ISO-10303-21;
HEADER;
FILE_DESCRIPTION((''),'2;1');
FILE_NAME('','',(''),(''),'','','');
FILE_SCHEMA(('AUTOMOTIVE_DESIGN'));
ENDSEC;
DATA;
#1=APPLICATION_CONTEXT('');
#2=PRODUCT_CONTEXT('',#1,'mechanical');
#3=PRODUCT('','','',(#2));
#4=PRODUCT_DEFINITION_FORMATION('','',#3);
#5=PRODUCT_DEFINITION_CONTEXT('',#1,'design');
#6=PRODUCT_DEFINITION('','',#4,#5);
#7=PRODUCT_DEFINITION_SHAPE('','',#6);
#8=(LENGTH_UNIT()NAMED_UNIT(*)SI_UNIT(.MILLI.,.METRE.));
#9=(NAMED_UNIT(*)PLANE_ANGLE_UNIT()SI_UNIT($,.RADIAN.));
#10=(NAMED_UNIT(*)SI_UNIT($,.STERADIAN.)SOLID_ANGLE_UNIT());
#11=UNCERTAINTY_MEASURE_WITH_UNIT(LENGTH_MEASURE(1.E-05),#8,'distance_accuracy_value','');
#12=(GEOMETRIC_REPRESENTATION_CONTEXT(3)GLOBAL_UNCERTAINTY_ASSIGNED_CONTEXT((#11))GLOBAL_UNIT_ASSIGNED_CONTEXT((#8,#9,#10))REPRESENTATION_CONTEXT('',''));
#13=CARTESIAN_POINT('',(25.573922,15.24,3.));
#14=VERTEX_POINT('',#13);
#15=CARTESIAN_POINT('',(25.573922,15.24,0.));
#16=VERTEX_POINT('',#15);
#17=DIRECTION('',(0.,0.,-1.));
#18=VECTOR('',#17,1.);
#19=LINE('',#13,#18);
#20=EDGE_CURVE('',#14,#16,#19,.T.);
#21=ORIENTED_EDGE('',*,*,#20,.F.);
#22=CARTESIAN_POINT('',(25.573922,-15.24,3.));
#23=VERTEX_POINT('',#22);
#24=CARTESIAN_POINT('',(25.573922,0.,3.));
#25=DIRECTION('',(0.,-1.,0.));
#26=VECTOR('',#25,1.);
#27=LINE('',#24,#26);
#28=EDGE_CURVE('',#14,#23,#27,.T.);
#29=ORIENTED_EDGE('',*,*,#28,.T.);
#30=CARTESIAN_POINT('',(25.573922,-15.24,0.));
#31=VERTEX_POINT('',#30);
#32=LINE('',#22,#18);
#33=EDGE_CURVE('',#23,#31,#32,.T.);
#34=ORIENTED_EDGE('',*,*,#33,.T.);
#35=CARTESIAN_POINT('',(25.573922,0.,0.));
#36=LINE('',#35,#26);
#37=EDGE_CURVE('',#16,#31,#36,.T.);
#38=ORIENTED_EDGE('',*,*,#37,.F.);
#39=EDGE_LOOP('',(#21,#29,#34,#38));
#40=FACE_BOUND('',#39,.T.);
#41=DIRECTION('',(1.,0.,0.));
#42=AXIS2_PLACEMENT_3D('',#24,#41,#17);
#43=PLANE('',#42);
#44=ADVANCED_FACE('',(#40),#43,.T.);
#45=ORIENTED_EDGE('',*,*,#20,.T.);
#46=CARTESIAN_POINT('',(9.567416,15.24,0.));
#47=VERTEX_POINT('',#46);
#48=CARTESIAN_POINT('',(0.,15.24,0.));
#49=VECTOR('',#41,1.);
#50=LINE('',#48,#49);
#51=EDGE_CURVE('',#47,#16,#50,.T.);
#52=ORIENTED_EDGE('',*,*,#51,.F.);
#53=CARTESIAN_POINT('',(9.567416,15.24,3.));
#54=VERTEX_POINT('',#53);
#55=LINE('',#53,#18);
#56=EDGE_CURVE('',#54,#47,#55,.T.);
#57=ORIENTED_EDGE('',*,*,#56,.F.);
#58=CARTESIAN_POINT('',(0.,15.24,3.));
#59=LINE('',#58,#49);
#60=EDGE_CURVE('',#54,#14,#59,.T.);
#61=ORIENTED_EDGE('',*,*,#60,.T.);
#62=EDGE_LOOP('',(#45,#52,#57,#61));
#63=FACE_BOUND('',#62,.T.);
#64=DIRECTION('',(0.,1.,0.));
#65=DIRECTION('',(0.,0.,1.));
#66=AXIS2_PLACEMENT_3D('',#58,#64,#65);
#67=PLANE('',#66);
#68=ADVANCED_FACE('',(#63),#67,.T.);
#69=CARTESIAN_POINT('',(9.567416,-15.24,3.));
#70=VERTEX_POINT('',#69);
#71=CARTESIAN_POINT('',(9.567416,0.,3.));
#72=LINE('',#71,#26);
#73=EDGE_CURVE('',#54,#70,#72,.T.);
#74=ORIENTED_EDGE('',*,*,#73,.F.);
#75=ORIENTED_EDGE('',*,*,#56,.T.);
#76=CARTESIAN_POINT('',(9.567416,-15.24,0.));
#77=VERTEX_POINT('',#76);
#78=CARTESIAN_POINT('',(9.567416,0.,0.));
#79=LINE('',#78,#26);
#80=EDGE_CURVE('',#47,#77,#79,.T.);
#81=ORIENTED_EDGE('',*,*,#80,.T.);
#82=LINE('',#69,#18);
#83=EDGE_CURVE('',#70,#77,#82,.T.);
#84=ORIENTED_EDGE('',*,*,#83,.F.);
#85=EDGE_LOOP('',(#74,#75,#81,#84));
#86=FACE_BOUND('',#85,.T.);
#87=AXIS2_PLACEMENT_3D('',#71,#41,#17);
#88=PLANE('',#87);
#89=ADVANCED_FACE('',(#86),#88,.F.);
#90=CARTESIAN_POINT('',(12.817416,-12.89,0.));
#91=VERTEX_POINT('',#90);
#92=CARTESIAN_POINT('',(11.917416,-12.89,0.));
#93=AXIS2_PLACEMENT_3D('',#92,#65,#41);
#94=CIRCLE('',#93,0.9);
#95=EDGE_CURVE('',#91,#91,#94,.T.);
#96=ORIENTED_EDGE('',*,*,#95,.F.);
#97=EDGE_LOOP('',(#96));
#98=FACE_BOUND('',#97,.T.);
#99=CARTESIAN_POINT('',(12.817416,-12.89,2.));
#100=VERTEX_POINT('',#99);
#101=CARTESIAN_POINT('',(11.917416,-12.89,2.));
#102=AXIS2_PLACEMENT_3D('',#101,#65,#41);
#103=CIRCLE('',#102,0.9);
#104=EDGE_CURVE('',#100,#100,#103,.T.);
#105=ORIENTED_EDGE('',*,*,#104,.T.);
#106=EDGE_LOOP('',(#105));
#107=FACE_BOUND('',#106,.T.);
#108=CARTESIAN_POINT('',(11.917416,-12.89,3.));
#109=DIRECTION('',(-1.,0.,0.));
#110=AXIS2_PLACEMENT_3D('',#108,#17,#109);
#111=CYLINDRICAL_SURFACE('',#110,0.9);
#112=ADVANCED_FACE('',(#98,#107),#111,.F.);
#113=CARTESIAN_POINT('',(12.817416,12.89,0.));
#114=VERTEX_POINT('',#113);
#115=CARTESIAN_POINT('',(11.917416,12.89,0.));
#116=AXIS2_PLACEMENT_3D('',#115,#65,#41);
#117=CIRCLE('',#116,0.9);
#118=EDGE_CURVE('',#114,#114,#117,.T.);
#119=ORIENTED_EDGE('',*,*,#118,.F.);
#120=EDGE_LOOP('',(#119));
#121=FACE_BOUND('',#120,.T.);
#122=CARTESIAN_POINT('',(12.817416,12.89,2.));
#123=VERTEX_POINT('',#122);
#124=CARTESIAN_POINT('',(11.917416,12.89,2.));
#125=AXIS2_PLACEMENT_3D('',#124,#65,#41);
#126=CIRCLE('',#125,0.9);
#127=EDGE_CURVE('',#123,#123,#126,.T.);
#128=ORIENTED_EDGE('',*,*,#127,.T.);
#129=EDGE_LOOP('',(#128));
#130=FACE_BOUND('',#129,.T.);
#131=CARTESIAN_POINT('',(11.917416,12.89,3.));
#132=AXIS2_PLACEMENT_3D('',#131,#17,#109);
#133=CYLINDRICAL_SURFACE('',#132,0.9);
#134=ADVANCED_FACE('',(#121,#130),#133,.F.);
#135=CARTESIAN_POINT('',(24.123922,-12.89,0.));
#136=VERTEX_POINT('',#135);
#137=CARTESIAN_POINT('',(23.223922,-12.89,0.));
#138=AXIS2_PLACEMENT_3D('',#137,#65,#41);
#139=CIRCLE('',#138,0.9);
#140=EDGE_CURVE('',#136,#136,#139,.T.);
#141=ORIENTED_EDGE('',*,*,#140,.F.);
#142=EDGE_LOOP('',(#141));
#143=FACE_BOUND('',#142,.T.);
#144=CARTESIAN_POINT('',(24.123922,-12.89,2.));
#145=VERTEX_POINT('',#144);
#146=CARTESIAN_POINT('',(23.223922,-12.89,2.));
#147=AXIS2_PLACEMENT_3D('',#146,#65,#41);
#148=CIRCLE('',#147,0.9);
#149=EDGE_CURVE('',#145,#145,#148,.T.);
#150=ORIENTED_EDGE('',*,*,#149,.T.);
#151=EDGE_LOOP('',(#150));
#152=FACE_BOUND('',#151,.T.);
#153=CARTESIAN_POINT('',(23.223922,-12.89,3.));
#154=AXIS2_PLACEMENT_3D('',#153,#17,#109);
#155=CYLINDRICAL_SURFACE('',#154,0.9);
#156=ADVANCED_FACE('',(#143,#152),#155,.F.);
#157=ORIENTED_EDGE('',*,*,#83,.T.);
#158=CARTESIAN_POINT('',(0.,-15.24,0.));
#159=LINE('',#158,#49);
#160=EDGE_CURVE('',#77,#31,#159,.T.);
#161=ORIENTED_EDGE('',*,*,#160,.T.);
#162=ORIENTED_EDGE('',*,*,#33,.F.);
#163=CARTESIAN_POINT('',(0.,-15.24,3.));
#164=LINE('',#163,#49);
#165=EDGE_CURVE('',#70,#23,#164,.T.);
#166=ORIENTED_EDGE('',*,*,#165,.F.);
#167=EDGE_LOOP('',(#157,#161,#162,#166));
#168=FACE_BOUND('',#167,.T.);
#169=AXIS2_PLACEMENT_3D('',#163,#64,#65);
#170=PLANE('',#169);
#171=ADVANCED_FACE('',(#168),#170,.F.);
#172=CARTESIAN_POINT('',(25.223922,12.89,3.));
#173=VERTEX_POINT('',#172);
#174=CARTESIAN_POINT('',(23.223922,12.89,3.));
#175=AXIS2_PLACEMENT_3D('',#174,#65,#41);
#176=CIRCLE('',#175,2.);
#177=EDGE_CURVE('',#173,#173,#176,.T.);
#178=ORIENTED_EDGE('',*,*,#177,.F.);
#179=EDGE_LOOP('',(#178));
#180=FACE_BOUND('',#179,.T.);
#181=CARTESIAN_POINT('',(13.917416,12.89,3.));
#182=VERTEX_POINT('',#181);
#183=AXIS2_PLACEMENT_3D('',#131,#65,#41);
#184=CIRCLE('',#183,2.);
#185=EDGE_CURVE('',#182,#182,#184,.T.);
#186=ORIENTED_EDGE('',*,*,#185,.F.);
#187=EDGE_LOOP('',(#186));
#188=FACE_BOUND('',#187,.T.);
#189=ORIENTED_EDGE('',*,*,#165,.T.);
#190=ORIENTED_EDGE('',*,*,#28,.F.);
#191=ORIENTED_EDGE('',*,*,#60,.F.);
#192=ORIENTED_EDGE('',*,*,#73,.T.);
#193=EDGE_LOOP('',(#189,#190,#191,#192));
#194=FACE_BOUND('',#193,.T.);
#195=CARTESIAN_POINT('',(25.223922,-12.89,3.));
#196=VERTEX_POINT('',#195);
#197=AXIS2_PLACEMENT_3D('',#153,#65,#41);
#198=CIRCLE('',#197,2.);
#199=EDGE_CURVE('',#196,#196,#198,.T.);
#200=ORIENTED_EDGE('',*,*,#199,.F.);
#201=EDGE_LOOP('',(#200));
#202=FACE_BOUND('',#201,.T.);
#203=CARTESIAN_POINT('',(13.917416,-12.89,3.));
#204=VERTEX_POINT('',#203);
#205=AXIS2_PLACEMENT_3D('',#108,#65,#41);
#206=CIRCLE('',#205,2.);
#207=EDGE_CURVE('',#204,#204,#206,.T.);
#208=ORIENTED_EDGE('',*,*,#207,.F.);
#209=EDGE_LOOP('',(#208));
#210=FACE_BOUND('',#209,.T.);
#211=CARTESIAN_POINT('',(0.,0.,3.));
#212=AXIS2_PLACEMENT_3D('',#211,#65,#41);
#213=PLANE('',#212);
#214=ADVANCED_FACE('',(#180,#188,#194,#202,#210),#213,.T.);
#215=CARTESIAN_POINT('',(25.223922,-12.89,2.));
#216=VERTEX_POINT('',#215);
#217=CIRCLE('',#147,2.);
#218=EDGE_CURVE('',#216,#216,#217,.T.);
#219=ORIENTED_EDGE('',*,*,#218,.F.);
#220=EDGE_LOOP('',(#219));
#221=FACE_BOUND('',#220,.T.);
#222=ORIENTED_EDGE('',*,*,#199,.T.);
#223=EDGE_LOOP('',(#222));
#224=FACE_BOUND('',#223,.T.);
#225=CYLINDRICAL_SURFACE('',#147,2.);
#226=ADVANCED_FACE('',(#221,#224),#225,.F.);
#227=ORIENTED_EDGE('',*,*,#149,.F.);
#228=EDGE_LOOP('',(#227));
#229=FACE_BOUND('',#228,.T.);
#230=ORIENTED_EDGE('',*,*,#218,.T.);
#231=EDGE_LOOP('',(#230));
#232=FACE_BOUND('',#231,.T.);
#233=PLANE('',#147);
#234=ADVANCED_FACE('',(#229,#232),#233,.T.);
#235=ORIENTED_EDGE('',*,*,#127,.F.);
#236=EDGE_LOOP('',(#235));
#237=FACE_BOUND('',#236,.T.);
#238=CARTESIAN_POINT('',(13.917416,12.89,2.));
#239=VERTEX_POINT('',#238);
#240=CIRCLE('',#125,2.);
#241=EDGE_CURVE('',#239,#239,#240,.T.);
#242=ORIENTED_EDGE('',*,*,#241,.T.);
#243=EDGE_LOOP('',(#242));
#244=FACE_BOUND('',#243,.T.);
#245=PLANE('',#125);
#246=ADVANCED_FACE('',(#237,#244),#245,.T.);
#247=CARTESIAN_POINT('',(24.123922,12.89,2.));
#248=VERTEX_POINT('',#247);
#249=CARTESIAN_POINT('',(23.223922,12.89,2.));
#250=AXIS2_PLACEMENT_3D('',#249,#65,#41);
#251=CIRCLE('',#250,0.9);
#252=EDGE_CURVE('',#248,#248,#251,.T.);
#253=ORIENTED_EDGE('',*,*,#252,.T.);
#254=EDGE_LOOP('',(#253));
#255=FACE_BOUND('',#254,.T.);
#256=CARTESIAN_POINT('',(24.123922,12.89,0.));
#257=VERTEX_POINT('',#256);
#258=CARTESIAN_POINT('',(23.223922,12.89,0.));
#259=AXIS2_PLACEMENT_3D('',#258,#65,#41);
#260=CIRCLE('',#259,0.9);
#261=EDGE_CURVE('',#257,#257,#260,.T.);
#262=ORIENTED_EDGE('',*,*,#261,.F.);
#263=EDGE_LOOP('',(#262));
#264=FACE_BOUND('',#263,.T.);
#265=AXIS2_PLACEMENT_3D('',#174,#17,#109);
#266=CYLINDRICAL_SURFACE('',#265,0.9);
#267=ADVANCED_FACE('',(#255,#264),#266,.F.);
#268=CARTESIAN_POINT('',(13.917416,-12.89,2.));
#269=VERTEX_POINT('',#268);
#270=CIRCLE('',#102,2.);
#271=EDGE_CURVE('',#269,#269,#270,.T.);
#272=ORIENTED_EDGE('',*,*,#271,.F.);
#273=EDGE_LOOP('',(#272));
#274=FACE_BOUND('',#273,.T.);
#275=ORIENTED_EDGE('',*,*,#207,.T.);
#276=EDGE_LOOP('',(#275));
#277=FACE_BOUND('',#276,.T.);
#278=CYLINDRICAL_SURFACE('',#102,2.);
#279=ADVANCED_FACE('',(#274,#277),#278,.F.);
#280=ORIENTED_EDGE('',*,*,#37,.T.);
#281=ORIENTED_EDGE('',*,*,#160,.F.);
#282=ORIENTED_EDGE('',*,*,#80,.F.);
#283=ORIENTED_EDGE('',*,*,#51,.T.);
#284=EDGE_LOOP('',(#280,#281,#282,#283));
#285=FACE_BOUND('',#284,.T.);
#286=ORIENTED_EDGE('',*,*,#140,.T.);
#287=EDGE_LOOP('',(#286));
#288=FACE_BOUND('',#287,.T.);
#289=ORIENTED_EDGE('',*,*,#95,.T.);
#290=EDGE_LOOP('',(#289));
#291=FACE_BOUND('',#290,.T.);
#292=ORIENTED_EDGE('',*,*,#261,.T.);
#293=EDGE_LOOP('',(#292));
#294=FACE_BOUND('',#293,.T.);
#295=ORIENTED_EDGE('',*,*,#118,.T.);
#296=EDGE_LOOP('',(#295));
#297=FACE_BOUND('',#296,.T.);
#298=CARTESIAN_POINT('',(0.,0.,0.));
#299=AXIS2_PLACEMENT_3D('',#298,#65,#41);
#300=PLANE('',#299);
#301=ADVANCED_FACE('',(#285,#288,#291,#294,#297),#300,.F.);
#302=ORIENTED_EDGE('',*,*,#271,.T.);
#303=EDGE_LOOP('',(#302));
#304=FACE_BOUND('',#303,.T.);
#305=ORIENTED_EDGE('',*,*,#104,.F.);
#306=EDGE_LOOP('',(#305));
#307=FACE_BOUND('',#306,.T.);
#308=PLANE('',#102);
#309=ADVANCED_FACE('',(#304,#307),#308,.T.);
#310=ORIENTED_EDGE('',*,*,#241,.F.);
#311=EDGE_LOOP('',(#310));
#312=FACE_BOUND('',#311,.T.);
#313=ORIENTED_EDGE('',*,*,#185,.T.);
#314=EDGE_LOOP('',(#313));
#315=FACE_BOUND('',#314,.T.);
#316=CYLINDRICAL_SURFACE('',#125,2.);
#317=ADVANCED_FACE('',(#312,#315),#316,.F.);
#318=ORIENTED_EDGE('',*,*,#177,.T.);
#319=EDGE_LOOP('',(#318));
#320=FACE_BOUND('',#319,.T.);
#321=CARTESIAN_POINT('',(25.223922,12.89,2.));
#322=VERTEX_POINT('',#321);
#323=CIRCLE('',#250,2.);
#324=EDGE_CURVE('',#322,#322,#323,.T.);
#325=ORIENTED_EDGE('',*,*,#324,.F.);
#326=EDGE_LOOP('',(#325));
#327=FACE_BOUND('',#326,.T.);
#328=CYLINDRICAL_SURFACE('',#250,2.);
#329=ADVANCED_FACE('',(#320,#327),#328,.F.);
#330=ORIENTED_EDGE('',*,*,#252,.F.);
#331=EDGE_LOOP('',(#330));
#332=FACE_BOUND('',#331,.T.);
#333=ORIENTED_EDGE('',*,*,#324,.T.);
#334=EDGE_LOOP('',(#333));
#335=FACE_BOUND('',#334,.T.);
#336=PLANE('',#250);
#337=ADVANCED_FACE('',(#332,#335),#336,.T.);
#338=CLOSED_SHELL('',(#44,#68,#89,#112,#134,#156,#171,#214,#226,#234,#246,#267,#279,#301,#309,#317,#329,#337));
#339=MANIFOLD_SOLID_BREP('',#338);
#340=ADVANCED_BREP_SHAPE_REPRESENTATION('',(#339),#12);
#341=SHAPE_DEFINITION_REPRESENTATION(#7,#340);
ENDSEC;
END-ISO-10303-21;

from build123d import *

# Parameters (mm, degrees)
SKETCH1_W           = 16.006506223
SKETCH1_H           = 30.48
SKETCH1_R           = 0.899999978
BOSS_EXTRUDE1_DEPTH = 3
SKETCH2_R           = 2.000000064
CUT_EXTRUDE1_DEPTH  = 1


with BuildPart() as part:
    # Sketch1 → Boss-Extrude1 (new body)
    with BuildSketch(Plane.XY):
        with Locations((17.570669053, 0)):
            Rectangle(SKETCH1_W, SKETCH1_H)
        with Locations((11.917415941, 12.89)):
            Circle(SKETCH1_R, mode=Mode.SUBTRACT)
        with Locations((23.223922164, 12.89)):
            Circle(SKETCH1_R, mode=Mode.SUBTRACT)
        with Locations((23.223922164, -12.89)):
            Circle(SKETCH1_R, mode=Mode.SUBTRACT)
        with Locations((11.917415941, -12.89)):
            Circle(SKETCH1_R, mode=Mode.SUBTRACT)
    extrude(amount=BOSS_EXTRUDE1_DEPTH)

    # Sketch2 → Cut-Extrude1 (cut)
    with BuildSketch(Plane.XY.offset(3)):
        with Locations((23.223922164, 12.89)):
            Circle(SKETCH2_R)
        with Locations((23.223922164, -12.89)):
            Circle(SKETCH2_R)
        with Locations((11.917415941, -12.89)):
            Circle(SKETCH2_R)
        with Locations((11.917415941, 12.89)):
            Circle(SKETCH2_R)
    extrude(amount=-CUT_EXTRUDE1_DEPTH, mode=Mode.SUBTRACT)


solid = part.part
